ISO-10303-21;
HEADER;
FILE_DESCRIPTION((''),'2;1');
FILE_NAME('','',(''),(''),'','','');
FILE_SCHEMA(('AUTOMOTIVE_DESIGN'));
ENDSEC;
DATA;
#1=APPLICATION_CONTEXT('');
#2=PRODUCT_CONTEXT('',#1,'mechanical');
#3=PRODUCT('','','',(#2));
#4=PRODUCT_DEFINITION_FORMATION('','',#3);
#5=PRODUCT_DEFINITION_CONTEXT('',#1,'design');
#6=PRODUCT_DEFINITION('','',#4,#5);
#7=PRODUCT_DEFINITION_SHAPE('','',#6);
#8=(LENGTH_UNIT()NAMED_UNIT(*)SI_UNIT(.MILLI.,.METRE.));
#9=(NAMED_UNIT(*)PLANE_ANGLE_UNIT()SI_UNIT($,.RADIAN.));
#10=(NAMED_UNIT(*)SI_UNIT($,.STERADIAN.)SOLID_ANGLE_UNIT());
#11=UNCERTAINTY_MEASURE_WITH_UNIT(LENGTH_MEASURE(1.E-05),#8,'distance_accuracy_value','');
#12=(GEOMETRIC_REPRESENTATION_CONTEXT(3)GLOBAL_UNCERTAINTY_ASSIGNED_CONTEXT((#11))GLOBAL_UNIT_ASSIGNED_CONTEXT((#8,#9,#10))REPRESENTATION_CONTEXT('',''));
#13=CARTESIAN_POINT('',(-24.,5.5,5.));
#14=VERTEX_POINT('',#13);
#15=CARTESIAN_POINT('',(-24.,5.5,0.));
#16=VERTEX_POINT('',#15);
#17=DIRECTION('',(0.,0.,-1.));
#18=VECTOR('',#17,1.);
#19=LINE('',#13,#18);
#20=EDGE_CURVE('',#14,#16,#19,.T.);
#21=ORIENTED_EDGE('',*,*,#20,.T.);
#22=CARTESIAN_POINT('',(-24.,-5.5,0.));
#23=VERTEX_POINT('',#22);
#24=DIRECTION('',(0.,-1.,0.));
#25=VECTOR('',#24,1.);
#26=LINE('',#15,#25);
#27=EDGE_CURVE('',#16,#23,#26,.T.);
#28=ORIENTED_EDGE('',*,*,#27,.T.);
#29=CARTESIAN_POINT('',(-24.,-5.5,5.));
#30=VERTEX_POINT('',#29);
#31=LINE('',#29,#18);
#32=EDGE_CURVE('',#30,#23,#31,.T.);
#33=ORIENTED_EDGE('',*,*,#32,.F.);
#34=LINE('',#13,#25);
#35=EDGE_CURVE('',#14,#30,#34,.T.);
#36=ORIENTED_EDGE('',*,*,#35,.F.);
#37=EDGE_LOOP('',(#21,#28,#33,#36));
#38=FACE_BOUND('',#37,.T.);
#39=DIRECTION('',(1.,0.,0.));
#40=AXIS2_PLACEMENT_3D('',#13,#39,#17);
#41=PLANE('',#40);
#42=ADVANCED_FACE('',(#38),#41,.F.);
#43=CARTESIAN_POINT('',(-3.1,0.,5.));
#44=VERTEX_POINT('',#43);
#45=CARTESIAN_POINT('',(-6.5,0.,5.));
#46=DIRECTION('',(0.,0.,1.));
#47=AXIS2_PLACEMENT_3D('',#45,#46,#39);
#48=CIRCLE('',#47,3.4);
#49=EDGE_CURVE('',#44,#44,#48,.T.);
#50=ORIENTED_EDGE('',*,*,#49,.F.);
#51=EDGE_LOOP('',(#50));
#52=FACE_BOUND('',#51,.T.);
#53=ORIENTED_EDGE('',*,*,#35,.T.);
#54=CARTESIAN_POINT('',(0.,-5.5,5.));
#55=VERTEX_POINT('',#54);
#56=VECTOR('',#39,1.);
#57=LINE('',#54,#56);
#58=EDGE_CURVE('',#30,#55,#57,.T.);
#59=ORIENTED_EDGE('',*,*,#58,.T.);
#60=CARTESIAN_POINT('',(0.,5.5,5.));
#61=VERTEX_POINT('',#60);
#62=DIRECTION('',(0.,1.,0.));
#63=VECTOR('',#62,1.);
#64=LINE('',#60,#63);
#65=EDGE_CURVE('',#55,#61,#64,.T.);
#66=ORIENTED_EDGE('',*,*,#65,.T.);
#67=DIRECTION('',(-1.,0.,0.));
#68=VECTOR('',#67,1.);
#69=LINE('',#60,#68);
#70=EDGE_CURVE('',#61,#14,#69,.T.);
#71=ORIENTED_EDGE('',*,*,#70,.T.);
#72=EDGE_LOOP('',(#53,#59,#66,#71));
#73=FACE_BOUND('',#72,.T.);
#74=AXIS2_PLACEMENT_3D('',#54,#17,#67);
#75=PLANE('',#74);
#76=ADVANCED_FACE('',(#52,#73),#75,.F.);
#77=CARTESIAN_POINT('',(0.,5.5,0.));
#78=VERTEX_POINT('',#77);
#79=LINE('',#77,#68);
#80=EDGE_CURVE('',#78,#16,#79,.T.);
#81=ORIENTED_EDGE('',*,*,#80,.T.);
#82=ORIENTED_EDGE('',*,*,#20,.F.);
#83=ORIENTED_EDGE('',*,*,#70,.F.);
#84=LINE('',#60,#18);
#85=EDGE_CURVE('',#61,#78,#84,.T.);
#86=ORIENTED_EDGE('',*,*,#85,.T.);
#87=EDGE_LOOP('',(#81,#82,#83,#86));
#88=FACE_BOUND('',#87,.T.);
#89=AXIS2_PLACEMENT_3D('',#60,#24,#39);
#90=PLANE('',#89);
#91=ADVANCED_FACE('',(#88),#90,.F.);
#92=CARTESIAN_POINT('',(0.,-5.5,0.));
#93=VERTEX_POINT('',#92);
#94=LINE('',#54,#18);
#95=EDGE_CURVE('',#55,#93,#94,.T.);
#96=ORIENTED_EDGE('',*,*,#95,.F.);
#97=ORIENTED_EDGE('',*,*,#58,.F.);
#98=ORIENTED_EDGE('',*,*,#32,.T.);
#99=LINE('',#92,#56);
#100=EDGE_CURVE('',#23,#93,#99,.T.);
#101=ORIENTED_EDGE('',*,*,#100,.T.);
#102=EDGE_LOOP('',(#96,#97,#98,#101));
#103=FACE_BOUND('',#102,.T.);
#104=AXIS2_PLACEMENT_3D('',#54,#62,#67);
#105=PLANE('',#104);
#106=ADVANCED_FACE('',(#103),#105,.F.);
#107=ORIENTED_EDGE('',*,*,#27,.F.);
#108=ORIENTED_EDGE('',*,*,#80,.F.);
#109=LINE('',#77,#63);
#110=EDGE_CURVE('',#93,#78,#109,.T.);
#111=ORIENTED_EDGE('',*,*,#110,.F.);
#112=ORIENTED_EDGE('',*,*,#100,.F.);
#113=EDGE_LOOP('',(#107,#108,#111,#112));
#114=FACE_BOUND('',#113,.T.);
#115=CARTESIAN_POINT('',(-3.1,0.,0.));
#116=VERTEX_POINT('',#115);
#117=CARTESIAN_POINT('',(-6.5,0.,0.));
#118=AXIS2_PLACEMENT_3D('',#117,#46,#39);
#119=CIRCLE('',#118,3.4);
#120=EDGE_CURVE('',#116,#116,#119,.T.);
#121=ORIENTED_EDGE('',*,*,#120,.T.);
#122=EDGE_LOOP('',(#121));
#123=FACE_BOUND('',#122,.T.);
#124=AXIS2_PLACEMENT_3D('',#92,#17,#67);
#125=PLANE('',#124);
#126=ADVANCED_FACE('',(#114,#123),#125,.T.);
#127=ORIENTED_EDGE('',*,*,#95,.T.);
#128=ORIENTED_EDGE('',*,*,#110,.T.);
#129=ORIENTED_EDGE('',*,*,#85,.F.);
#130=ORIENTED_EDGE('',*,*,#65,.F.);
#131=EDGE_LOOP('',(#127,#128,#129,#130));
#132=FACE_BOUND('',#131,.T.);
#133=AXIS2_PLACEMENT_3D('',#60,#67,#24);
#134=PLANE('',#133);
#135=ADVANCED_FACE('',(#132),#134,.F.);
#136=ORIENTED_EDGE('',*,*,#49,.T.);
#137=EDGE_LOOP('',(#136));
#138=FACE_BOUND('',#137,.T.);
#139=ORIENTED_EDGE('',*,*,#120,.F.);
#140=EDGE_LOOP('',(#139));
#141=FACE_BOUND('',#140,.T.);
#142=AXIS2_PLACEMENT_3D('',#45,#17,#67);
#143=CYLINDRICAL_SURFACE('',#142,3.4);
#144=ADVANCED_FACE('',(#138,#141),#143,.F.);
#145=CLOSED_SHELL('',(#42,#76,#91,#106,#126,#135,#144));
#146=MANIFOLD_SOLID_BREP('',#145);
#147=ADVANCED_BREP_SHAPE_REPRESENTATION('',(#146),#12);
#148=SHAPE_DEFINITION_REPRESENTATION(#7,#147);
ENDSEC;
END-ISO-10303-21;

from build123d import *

# Parameters (mm, degrees)
SKIZZE1_W                       = 24
SKIZZE1_H                       = 11
SKIZZE1_R                       = 3.4
AUFSATZ_LINEAR_AUSTRAGEN1_DEPTH = 5


with BuildPart() as part:
    # Skizze1 → Aufsatz-Linear austragen1 (new body)
    with BuildSketch(Plane.XY):
        with Locations((-12, 0)):
            Rectangle(SKIZZE1_W, SKIZZE1_H)
        with Locations((-6.5, 0)):
            Circle(SKIZZE1_R, mode=Mode.SUBTRACT)
    extrude(amount=AUFSATZ_LINEAR_AUSTRAGEN1_DEPTH)


solid = part.part
